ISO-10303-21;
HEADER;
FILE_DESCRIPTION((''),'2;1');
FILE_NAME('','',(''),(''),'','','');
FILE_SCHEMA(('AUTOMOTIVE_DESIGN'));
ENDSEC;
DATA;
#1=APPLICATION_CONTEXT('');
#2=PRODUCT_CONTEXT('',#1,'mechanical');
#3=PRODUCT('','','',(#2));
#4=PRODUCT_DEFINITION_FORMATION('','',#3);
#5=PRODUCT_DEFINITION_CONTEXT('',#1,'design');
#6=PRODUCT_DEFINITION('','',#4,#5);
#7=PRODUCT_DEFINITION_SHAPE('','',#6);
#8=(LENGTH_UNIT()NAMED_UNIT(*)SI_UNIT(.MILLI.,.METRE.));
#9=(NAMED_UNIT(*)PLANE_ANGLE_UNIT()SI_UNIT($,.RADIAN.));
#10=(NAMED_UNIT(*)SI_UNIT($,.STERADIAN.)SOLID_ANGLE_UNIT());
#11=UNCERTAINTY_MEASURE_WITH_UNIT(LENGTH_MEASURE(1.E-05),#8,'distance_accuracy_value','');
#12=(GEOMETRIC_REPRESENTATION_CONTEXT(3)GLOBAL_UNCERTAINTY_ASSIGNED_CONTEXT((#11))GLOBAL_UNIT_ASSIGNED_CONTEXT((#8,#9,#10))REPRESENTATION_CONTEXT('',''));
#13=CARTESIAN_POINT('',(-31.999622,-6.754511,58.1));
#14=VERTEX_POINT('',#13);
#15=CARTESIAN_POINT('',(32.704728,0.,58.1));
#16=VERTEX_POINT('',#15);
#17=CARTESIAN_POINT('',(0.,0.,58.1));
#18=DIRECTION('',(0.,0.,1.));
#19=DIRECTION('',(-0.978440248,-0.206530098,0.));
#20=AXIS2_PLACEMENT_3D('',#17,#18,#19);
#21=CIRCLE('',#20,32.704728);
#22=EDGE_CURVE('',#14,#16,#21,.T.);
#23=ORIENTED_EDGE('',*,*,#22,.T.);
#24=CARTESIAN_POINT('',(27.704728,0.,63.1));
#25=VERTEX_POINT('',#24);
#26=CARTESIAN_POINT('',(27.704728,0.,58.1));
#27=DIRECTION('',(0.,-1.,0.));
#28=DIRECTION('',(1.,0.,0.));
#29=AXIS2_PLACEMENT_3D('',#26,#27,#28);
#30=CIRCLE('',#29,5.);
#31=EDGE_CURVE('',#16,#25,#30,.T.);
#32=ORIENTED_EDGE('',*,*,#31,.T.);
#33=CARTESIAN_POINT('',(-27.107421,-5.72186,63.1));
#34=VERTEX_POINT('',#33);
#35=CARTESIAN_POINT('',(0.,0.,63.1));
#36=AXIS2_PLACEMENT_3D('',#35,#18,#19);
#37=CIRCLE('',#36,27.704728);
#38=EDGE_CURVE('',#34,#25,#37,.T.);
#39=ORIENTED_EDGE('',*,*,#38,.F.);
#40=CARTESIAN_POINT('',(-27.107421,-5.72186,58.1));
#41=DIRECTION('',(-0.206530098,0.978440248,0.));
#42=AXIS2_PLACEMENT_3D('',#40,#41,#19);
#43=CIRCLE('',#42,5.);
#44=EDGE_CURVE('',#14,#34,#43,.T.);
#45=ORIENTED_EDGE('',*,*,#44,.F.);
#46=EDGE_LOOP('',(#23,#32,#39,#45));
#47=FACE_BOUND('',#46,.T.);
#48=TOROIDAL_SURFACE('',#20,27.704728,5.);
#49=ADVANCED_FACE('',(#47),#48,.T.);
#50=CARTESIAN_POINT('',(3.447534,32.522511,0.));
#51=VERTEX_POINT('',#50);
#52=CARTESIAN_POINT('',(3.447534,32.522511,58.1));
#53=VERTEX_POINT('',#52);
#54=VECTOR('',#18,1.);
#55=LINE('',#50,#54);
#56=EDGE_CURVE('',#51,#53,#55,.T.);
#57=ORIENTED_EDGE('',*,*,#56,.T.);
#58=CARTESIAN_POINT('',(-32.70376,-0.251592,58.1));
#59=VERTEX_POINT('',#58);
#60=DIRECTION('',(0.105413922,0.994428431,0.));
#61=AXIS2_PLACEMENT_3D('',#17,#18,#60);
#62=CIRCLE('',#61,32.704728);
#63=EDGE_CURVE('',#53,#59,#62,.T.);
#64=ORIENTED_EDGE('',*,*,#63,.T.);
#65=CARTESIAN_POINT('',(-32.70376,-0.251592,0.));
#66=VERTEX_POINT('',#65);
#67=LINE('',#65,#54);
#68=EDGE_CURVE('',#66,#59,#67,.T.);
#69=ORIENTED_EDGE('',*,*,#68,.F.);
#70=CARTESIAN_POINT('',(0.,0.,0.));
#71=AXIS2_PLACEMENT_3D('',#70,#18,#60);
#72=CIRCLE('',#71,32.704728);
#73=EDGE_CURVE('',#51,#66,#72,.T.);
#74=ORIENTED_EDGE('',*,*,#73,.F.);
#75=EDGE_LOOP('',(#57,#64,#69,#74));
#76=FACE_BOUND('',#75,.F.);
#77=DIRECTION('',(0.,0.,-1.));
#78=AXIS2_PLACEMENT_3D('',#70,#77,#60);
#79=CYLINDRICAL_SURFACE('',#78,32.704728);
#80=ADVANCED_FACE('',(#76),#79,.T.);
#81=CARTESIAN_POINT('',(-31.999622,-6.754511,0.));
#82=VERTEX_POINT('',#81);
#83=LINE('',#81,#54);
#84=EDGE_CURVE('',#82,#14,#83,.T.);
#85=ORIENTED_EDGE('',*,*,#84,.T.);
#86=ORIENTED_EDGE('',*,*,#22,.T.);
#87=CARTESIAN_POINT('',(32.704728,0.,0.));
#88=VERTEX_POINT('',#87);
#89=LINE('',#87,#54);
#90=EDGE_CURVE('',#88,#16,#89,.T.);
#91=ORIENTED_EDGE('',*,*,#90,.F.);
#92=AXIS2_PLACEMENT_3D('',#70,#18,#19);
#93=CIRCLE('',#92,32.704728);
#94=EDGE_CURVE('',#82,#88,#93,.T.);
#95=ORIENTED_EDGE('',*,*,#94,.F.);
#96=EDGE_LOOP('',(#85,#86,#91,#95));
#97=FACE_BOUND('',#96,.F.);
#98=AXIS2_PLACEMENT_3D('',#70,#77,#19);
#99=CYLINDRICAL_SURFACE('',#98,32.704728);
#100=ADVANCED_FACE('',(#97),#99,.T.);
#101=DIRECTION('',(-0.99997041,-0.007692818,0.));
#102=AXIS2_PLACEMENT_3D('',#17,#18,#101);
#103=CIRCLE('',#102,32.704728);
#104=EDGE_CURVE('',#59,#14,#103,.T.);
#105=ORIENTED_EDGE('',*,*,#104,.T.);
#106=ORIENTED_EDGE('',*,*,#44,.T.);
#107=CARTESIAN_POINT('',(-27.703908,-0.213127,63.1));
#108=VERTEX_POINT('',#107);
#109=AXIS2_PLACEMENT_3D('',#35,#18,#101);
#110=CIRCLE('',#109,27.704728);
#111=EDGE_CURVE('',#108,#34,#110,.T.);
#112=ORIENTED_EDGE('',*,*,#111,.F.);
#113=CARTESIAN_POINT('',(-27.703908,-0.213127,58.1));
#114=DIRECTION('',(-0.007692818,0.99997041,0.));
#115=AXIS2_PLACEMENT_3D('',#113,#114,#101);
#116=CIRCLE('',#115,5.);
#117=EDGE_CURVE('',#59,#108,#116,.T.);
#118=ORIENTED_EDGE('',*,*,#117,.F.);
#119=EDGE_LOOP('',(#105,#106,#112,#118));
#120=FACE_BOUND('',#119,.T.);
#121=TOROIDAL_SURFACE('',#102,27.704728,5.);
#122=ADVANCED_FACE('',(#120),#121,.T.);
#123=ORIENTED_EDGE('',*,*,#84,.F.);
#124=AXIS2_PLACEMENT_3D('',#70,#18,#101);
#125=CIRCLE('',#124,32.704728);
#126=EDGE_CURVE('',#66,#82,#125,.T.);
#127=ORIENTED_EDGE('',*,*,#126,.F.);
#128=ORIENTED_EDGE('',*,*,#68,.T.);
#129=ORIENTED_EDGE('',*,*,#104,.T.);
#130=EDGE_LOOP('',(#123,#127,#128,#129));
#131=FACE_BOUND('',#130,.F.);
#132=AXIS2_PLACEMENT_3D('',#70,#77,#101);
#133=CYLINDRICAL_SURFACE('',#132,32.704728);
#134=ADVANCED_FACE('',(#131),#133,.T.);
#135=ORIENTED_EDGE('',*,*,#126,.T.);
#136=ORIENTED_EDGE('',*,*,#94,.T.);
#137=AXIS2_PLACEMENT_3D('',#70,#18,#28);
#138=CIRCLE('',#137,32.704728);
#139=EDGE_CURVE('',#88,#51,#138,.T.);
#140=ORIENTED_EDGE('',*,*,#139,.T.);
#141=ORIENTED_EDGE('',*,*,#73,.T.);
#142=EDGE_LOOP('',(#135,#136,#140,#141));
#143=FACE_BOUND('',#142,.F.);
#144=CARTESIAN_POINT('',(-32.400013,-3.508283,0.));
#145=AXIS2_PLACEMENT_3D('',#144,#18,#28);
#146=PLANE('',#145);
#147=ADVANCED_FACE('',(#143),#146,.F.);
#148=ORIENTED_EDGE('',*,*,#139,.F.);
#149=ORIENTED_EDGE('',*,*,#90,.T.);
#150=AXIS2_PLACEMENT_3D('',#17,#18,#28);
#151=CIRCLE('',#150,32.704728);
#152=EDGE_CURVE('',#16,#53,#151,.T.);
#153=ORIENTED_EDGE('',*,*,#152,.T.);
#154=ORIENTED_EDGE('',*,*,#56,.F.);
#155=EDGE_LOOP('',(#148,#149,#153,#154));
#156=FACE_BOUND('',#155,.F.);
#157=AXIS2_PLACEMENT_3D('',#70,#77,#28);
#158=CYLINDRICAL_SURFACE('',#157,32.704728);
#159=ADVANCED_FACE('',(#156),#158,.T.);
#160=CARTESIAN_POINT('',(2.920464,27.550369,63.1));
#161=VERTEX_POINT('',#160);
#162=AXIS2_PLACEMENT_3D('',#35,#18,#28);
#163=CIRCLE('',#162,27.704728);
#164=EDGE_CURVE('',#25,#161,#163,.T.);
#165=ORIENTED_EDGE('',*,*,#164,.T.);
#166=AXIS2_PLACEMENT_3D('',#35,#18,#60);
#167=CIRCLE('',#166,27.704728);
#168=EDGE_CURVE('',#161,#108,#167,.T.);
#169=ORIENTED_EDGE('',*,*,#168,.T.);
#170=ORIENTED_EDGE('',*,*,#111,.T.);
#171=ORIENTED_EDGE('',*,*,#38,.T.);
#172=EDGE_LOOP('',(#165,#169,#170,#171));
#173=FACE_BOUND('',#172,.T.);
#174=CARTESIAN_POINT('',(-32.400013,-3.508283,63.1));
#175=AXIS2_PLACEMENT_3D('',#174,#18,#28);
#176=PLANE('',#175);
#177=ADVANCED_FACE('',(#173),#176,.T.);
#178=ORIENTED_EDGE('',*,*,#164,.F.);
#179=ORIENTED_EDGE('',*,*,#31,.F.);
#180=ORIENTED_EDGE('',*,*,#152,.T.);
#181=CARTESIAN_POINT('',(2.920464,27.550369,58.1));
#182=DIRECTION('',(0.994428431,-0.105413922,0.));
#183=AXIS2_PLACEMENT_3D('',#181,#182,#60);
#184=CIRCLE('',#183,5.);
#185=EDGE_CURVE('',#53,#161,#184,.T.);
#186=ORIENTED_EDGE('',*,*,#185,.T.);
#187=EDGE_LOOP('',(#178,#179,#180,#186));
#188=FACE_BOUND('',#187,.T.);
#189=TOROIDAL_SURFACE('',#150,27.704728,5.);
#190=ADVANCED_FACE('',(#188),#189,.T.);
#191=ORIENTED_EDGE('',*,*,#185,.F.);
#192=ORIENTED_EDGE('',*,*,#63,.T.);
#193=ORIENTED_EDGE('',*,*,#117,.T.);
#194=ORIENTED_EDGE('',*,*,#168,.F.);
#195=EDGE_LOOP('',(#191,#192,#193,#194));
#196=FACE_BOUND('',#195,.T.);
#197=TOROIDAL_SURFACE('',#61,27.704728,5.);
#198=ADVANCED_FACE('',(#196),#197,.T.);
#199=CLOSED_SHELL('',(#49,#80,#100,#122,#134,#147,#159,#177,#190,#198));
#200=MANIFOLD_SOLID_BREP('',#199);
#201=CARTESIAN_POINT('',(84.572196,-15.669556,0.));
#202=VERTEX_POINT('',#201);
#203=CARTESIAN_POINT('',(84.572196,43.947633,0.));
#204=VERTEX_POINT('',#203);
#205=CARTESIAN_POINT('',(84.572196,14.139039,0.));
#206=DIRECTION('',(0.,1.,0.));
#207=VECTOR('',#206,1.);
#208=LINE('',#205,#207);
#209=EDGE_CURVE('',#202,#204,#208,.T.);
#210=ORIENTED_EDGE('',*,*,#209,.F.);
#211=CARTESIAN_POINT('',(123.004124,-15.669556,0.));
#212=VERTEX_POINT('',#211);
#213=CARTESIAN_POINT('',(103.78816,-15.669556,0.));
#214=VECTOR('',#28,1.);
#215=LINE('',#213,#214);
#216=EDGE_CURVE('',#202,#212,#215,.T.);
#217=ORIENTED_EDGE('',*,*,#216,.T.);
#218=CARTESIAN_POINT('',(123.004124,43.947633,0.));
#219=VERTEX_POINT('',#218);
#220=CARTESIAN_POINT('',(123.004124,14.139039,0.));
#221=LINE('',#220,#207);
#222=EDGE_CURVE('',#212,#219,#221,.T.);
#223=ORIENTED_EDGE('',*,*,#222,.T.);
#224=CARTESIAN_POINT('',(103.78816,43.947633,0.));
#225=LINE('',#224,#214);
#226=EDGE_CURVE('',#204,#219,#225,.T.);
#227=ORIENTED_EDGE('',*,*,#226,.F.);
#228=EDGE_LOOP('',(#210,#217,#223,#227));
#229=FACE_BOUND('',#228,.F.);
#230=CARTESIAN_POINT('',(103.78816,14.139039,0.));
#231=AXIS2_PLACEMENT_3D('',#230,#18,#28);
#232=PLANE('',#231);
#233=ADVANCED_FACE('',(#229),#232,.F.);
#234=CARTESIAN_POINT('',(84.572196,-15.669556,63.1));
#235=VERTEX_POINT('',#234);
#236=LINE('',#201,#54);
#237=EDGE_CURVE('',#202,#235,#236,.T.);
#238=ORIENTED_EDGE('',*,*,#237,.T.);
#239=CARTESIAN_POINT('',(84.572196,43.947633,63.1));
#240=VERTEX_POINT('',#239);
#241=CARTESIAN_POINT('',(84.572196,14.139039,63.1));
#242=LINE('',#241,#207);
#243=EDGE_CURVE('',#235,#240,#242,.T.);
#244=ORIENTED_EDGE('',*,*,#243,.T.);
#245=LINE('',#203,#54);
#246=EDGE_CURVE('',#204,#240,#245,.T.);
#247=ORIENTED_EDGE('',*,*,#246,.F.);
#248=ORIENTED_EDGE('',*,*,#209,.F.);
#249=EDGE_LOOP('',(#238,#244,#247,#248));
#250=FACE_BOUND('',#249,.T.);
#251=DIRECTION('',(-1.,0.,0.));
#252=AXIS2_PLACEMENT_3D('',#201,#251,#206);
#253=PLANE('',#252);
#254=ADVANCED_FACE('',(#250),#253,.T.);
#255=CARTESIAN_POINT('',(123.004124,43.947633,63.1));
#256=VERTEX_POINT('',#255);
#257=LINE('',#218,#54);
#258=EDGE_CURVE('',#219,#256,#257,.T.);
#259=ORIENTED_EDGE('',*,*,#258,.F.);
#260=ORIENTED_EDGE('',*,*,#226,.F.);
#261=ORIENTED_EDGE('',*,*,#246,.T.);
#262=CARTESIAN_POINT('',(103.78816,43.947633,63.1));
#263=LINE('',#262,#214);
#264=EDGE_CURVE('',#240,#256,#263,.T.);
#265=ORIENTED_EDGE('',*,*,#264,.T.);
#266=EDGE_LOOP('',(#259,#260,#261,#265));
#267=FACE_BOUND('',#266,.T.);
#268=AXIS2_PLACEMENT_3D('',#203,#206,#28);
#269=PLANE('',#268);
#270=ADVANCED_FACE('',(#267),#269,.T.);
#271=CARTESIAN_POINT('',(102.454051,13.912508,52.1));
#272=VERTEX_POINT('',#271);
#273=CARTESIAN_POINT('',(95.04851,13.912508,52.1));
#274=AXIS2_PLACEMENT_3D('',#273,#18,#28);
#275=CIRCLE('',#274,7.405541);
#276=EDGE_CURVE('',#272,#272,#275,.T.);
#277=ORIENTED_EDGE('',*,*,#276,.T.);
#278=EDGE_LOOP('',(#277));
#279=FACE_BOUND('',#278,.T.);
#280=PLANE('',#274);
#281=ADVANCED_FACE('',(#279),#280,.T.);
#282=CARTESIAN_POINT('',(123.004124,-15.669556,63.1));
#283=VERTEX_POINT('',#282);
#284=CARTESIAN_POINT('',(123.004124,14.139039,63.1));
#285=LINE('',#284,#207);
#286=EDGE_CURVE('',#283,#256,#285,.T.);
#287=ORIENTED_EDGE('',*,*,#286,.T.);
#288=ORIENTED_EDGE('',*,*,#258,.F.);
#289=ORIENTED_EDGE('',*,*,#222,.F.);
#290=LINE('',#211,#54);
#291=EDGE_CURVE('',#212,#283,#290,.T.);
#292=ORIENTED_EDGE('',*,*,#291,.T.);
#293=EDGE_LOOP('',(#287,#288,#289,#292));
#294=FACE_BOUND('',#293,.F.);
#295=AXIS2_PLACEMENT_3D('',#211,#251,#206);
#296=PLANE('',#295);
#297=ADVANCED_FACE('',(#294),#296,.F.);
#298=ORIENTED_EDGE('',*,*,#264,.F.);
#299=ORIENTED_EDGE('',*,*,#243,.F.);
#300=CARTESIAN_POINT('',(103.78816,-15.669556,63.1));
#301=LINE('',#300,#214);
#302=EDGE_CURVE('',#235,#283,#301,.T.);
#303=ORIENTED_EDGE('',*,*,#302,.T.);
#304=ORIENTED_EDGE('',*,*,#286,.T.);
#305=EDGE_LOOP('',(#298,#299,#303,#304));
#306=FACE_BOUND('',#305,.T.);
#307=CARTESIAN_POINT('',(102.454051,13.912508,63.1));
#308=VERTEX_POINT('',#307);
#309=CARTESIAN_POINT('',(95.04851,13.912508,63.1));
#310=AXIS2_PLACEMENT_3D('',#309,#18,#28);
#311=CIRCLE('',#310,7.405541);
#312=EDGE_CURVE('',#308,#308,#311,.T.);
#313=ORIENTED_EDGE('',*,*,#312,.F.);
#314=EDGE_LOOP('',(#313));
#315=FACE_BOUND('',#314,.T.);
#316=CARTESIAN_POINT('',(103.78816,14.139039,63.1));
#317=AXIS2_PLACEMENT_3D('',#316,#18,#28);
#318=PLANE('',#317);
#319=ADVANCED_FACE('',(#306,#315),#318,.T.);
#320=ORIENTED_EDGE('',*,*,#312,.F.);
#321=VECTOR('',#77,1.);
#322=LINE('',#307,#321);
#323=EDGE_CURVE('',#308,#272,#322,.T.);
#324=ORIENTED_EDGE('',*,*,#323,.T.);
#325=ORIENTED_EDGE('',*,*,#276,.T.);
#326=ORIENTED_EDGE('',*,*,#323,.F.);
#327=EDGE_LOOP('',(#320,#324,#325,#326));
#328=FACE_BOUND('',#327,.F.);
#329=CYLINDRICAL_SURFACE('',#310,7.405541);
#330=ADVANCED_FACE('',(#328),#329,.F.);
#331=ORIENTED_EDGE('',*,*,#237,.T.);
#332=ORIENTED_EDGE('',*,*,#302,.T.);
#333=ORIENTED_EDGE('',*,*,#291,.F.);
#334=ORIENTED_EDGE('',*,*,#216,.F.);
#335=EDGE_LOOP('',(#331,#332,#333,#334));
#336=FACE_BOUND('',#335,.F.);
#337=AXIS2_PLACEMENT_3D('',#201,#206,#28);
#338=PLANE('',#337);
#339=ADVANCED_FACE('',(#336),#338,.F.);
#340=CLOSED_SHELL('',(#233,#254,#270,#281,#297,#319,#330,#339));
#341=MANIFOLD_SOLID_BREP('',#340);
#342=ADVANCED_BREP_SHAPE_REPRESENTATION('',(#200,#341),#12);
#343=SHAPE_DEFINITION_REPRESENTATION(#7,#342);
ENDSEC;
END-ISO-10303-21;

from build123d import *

# Parameters (mm, degrees)
F1_DEPTH = 63.1
F0_W     = 38.4319275618
F0_H     = 59.6171896905
F2_R     = 5
F3_R     = 7.4055413417
F4_DEPTH = 11


with BuildPart() as f1:
    # F0 (on Top) → F1 (new body)
    with BuildSketch(Plane.XY):
        with BuildLine():
            ThreePointArc((-32.7037602776, -0.2515915217), (-32.514672303, -3.5206987403), (-31.9996221867, -6.7545106778))
            Line((-31.9996221867, -6.7545106778), (-32.7037602776, -0.2515915217))
        make_face()
        with BuildLine():
            Line((-32.7037602776, -0.2515915217), (-31.9996221867, -6.7545106778))
            ThreePointArc((-31.9996221867, -6.7545106778), (3.3956070417, -32.5279739211), (32.7047280159, 0))
            ThreePointArc((32.7047280159, 0), (24.3140893809, 21.8729122928), (3.447533647, 32.5225113782))
            ThreePointArc((3.447533647, 32.5225113782), (-21.966273111, 24.2297767262), (-32.7037602776, -0.2515915217))
        make_face()
    extrude(amount=F1_DEPTH)

    # F2
    f2_edges = [f1.edges().sort_by_distance(p)[0] for p in [
        (31.999622, 6.754511, 63.1),
    ]]
    fillet(f2_edges, radius=F2_R)


with BuildPart() as f1b:
    # F0 (on Top) → F1, piece 2 (new body)
    with BuildSketch(Plane.XY):
        with Locations((103.7881597877, 14.1390385106)):
            Rectangle(F0_W, F0_H)
    extrude(amount=F1_DEPTH)

    # F3 (on face) → F4 (cut)
    with BuildSketch(Plane.XY.offset(63.1)):
        with Locations((95.0485095382, 13.9125082642)):
            Circle(F3_R)
    extrude(amount=-F4_DEPTH, mode=Mode.SUBTRACT)


solid = Compound([f1.part, f1b.part])
